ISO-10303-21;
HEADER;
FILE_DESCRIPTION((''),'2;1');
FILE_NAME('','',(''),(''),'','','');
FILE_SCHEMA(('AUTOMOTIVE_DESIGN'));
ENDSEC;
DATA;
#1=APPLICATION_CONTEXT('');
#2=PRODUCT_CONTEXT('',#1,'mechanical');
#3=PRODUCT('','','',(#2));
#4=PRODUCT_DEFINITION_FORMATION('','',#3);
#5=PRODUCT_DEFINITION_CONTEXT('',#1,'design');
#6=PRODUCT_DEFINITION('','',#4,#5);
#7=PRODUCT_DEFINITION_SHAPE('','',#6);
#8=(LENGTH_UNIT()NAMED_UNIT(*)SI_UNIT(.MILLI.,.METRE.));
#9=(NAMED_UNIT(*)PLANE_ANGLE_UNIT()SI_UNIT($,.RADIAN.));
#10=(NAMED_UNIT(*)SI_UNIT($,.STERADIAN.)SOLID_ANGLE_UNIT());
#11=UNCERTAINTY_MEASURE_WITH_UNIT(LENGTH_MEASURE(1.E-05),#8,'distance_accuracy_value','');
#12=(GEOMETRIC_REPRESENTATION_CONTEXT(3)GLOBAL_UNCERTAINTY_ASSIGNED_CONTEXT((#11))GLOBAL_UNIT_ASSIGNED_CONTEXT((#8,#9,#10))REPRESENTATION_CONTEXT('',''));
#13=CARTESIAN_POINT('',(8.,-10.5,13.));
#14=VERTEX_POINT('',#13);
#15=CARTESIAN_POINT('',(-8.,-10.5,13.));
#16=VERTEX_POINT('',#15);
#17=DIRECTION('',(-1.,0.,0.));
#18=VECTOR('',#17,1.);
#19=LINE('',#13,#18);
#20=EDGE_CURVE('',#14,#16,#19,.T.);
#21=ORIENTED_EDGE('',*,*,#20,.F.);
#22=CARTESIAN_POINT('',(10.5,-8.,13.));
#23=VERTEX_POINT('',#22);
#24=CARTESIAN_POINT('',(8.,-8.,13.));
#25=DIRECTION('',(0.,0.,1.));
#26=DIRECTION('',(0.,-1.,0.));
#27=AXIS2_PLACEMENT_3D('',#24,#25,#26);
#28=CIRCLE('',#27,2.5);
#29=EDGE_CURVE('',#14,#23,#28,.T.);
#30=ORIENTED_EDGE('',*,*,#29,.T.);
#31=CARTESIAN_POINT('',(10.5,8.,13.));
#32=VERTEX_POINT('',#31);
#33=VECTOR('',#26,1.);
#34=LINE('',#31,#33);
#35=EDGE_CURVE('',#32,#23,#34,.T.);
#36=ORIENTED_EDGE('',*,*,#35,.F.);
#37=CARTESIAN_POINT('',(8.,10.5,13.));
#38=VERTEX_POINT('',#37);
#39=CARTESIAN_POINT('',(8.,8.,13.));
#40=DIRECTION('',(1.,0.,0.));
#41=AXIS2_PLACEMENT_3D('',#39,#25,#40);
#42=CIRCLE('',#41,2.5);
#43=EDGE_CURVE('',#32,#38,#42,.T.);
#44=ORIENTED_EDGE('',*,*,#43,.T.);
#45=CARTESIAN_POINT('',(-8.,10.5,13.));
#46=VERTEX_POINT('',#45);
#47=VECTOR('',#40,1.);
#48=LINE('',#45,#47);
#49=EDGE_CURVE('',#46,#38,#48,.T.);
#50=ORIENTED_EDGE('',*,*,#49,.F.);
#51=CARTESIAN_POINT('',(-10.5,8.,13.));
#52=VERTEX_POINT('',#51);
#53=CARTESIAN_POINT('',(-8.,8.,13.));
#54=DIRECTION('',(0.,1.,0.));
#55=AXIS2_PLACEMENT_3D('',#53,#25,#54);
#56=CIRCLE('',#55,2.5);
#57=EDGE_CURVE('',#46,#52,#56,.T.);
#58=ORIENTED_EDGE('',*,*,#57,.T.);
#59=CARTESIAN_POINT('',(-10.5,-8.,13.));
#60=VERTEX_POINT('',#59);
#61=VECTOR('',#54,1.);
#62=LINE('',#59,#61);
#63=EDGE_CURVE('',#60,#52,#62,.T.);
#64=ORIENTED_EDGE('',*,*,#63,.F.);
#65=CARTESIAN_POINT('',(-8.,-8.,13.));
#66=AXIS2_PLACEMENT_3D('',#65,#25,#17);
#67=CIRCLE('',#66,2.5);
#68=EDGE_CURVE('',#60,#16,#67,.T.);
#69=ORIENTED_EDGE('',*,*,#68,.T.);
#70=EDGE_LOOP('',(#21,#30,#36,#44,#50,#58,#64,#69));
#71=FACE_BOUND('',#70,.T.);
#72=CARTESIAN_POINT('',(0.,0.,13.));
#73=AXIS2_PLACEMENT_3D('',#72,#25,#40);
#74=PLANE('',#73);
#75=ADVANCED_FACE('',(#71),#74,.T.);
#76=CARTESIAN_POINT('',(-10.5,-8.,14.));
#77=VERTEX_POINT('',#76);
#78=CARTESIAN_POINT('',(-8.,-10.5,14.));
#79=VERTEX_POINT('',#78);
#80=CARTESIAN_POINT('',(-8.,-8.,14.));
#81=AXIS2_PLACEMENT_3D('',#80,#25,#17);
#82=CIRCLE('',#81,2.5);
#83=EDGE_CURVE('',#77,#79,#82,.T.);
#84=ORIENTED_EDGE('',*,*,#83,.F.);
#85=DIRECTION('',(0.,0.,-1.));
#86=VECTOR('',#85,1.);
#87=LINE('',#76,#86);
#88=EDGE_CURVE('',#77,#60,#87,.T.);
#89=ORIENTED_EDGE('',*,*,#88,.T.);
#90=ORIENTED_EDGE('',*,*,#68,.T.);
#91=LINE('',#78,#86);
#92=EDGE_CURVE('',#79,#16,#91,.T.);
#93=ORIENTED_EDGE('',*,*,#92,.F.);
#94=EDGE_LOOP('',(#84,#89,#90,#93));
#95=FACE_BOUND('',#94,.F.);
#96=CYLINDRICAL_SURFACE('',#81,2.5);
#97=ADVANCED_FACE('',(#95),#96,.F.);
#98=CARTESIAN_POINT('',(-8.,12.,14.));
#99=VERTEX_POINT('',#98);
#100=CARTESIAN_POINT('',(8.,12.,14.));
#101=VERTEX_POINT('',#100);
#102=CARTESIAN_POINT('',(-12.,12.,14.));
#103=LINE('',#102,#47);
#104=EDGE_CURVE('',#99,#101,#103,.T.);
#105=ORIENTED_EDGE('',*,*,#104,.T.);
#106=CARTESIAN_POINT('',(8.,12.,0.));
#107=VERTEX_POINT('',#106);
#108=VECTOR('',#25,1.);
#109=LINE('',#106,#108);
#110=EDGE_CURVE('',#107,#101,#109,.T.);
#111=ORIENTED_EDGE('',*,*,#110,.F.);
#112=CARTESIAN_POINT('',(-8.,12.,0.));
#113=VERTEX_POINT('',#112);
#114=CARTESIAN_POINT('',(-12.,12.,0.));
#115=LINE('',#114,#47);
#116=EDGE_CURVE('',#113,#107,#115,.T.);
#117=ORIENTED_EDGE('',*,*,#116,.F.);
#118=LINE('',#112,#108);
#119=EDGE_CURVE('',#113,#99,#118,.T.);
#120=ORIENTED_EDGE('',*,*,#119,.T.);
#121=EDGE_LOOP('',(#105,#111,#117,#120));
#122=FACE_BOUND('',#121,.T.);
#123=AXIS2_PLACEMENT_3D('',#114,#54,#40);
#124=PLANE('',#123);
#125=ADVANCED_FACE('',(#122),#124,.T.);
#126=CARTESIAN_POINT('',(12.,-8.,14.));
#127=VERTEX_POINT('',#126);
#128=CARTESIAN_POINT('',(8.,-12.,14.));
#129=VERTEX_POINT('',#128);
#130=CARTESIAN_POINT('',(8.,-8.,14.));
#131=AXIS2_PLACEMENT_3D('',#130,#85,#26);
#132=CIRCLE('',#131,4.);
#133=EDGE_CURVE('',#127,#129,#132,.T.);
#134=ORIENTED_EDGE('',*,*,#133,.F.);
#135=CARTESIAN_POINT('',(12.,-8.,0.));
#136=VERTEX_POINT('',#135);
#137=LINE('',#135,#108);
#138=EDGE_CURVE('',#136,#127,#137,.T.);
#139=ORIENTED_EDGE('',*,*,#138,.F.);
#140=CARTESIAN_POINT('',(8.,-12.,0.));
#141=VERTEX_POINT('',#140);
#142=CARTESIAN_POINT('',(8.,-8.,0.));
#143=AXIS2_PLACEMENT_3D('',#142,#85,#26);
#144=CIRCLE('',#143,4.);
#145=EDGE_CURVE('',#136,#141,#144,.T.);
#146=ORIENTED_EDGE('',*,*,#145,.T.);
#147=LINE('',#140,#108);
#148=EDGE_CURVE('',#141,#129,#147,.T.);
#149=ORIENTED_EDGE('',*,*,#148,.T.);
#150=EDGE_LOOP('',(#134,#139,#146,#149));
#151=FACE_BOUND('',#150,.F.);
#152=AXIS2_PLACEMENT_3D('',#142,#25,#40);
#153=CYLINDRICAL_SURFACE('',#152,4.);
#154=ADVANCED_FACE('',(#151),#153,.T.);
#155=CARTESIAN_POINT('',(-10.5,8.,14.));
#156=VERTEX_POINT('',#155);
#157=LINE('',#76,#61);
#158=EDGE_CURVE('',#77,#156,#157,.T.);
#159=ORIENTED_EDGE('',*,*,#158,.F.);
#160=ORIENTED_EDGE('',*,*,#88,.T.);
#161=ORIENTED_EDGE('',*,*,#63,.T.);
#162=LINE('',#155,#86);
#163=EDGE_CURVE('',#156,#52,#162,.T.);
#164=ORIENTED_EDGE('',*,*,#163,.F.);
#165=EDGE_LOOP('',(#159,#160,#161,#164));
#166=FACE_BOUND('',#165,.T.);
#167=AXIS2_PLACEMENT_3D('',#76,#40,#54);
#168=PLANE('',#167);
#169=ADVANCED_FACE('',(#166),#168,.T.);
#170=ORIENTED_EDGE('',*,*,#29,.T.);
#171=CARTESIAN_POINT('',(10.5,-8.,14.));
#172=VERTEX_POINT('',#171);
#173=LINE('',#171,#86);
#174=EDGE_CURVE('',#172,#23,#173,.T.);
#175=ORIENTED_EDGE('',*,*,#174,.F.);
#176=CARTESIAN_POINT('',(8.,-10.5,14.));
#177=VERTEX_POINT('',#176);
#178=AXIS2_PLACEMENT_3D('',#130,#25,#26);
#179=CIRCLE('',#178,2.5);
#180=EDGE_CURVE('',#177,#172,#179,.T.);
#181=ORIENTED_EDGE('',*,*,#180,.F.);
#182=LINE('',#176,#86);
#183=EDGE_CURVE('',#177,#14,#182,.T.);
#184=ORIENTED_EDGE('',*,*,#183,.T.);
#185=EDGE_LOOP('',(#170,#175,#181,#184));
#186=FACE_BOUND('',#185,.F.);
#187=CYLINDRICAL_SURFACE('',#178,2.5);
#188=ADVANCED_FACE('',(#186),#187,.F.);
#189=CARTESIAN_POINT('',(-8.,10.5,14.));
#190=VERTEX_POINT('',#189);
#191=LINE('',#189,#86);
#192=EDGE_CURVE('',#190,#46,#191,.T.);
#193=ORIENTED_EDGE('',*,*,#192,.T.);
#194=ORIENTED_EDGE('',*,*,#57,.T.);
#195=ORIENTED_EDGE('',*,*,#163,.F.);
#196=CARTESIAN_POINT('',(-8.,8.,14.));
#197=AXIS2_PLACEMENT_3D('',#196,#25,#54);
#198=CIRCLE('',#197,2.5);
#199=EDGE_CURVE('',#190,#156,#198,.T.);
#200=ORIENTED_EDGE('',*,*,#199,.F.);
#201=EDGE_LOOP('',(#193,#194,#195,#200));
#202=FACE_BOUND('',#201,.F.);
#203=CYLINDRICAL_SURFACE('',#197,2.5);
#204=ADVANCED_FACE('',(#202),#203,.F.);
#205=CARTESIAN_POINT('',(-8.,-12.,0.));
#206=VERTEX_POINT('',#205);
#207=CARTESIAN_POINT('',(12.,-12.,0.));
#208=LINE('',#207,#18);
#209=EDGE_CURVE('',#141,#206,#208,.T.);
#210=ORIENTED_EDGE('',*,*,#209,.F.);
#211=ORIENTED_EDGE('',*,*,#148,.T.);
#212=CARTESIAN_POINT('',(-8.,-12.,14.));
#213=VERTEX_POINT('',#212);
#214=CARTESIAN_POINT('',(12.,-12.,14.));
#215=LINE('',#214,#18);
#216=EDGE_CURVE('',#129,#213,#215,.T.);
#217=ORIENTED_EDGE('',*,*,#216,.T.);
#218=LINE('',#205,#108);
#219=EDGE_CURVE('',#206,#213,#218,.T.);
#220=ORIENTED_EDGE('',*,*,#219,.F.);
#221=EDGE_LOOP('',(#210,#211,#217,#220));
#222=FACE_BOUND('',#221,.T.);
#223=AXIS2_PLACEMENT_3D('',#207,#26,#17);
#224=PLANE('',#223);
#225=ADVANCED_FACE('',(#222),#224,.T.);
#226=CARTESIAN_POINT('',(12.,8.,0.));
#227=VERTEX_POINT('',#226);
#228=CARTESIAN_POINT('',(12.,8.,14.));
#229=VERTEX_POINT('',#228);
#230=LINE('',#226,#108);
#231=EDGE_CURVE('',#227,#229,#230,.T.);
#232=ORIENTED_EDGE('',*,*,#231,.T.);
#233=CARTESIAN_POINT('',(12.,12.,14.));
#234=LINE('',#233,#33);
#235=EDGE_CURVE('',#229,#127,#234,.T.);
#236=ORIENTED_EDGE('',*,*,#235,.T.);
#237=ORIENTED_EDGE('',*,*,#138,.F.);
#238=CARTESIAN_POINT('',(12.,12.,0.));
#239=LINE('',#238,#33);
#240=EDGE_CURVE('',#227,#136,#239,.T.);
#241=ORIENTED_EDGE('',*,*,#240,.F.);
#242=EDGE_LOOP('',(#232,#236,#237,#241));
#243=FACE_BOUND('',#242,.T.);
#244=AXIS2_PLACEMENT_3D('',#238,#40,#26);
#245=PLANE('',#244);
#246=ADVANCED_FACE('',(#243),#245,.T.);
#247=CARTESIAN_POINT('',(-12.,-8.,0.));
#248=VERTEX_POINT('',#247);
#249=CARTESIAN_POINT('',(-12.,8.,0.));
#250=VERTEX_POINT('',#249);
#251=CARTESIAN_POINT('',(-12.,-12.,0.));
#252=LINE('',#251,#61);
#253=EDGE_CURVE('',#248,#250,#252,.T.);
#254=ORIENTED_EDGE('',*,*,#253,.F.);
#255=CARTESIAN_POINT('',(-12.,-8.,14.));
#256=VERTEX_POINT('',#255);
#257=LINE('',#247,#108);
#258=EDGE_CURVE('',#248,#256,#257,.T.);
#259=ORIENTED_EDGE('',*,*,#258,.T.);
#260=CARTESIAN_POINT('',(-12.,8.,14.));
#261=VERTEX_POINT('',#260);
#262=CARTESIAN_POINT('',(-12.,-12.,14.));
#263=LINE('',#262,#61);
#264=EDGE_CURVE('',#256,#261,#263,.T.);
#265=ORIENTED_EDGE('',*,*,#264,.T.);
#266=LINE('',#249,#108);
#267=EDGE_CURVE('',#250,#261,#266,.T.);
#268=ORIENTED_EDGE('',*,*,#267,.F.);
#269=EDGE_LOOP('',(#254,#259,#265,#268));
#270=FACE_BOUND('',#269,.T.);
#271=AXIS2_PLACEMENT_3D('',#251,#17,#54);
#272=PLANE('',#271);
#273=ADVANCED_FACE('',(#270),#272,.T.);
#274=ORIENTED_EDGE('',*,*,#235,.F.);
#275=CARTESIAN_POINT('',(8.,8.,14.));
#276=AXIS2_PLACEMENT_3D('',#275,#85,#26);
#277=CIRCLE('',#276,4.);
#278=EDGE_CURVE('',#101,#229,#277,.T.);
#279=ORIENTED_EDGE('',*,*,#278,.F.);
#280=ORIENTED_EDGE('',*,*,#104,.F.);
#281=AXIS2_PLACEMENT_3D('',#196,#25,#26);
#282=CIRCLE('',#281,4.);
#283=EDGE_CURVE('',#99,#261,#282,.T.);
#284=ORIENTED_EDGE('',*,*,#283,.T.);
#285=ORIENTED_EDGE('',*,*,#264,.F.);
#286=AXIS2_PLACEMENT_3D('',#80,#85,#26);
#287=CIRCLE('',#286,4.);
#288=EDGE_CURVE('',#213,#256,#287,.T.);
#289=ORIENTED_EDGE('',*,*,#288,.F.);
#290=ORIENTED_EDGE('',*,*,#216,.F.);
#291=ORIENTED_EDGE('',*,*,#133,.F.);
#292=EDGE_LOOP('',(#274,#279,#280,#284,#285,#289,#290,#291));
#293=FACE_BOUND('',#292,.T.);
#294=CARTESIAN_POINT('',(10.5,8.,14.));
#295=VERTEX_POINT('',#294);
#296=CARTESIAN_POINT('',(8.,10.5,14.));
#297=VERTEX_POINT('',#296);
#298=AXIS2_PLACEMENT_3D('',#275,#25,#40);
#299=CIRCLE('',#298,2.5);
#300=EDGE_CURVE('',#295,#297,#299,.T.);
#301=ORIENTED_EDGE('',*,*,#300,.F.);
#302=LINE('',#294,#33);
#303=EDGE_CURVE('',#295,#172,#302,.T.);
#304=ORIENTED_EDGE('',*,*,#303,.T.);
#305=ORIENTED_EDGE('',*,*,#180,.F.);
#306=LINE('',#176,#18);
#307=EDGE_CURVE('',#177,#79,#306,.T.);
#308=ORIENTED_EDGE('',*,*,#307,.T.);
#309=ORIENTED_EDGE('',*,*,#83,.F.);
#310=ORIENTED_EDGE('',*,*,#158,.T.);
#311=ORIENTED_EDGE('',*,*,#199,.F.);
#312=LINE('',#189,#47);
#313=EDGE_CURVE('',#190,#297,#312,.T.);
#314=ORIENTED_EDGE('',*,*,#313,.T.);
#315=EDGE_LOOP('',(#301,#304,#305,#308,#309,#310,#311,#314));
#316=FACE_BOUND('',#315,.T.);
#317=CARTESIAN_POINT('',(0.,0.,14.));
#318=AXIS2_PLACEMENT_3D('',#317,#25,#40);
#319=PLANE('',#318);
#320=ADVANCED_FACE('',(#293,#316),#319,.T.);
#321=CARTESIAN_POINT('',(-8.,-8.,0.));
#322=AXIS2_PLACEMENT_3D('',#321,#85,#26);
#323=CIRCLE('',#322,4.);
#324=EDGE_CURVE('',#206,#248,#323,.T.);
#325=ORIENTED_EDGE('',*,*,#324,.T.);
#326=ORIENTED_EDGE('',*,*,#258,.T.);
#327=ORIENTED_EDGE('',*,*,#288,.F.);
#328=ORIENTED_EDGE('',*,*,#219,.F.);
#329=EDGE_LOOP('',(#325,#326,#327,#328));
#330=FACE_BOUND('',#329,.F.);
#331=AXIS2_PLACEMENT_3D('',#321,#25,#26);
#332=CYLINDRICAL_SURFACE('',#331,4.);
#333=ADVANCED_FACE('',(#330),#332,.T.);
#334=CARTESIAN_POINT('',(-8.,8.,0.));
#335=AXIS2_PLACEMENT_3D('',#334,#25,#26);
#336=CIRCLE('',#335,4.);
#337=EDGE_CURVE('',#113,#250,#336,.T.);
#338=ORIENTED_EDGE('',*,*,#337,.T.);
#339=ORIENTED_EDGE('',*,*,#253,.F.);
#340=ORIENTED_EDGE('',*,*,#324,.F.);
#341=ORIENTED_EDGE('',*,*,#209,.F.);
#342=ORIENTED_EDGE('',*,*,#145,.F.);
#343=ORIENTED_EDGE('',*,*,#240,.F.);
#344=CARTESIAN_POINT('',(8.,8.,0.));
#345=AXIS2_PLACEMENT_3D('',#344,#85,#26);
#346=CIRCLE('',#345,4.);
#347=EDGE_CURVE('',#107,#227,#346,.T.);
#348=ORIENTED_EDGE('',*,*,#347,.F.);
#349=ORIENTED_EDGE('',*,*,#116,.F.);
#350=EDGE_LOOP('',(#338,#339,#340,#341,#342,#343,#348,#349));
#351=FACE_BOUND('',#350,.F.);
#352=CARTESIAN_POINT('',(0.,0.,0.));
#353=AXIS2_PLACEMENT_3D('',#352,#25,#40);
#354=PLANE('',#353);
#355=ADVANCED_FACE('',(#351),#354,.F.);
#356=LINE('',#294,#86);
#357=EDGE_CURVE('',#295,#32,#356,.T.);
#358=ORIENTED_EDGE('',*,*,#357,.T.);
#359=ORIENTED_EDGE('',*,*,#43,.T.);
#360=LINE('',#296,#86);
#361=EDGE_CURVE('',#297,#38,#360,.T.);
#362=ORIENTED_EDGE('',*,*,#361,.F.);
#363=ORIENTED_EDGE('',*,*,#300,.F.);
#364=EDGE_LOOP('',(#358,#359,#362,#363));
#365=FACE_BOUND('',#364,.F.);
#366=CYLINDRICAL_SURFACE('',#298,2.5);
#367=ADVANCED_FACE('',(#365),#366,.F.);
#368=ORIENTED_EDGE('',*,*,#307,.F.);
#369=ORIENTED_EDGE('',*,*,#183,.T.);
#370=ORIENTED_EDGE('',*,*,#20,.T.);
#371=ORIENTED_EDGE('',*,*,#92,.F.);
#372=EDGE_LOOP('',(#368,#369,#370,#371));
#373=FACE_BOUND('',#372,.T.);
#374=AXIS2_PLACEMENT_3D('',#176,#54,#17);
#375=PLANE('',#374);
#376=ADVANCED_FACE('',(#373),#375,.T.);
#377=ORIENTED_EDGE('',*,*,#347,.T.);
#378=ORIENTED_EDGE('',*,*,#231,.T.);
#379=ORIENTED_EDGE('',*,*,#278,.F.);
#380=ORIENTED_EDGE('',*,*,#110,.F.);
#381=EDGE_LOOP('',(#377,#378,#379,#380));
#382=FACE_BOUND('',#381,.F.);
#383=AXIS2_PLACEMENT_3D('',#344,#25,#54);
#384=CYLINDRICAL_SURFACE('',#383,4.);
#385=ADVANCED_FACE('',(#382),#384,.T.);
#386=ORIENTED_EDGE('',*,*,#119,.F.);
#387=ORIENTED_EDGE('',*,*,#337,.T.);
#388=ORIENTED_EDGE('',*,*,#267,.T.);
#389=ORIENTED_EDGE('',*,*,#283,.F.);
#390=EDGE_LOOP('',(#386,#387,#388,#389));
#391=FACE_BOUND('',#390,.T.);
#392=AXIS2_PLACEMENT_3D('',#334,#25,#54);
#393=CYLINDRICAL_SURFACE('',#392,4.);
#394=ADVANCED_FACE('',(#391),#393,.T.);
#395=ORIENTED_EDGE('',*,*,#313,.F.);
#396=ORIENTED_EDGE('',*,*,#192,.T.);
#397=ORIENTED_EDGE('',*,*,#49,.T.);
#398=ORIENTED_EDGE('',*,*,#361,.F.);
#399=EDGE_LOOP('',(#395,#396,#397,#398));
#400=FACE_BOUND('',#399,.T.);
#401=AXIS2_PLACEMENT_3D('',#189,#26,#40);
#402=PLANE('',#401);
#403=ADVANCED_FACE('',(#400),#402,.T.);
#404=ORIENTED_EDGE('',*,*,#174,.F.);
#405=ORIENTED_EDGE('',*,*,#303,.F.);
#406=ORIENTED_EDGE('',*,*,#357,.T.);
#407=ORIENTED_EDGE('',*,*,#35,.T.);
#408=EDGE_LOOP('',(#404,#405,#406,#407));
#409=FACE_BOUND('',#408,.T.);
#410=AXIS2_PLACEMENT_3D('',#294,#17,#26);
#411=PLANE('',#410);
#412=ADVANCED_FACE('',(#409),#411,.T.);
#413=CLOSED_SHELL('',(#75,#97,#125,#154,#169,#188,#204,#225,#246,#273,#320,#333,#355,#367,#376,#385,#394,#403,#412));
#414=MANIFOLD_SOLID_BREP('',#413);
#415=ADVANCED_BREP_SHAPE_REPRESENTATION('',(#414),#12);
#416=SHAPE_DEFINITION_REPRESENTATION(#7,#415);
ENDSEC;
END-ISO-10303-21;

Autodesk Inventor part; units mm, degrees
ref_plane "YZ Plane" through (0, 0, 0) normal (1, 0, 0) x (0, 1, 0)
ref_plane "XZ Plane" through (0, 0, 0) normal (0, 1, 0) x (-1, 0, 0)
ref_plane "XY Plane" through (0, 0, 0) normal (0, 0, 1) x (1, 0, 0)
sketch "スケッチ1" plane through (0, 0, 0) normal (0, 0, 1) x (1, 0, 0)
  line L0 (-12, 12) -> (12, 12)
  line L1 (12, 12) -> (12, -12)
  line L2 (12, -12) -> (-12, -12)
  line L3 (-12, -12) -> (-12, 12)
  line L4 (-12, 12) -> (12, -12) construction
  line L5 (12, 12) -> (-12, -12) construction
  point P0 (0, 0)
  dimension "d0" = 24
  dimension "d1" = 24
extrude "押し出し1" add sketch "スケッチ1" along normal blind 14
fillet "フィレット1" radius 4 4 edges at (-12, 12, 7) (12, 12, 7) (12, -12, 7) (-12, -12, 7)
sketch "スケッチ2" plane through (0, 0, 14) normal (0, 0, 1) x (1, 0, 0)
  arc A0 (-12, -8) -> (-8, -12) centre (-8, -8) ccw projected
  line L0 (-8, -12) -> (8, -12) projected
  arc A1 (8, -12) -> (12, -8) centre (8, -8) ccw projected
  line L1 (12, -8) -> (12, 8) projected
  arc A2 (12, 8) -> (8, 12) centre (8, 8) ccw projected
  line L2 (8, 12) -> (-8, 12) projected
  arc A3 (-8, 12) -> (-12, 8) centre (-8, 8) ccw projected
  line L3 (-12, 8) -> (-12, -8) projected
  line L4 (-8, 10.5) -> (8, 10.5)
  arc A4 (10.5, 8) -> (8, 10.5) centre (8, 8) ccw
  line L5 (10.5, 8) -> (10.5, -8)
  arc A5 (8, -10.5) -> (10.5, -8) centre (8, -8) ccw
  line L6 (8, -10.5) -> (-8, -10.5)
  arc A6 (-10.5, -8) -> (-8, -10.5) centre (-8, -8) ccw
  line L7 (-10.5, -8) -> (-10.5, 8)
  arc A7 (-8, 10.5) -> (-10.5, 8) centre (-8, 8) ccw
  point P0 (0, 0)
  dimension "d5" = 1.5
extrude "押し出し2" cut sketch "スケッチ2" against normal blind 1 contours L4 A4 L5 A5 L6 A6 L7 A7
properties part number "M5Atom"
